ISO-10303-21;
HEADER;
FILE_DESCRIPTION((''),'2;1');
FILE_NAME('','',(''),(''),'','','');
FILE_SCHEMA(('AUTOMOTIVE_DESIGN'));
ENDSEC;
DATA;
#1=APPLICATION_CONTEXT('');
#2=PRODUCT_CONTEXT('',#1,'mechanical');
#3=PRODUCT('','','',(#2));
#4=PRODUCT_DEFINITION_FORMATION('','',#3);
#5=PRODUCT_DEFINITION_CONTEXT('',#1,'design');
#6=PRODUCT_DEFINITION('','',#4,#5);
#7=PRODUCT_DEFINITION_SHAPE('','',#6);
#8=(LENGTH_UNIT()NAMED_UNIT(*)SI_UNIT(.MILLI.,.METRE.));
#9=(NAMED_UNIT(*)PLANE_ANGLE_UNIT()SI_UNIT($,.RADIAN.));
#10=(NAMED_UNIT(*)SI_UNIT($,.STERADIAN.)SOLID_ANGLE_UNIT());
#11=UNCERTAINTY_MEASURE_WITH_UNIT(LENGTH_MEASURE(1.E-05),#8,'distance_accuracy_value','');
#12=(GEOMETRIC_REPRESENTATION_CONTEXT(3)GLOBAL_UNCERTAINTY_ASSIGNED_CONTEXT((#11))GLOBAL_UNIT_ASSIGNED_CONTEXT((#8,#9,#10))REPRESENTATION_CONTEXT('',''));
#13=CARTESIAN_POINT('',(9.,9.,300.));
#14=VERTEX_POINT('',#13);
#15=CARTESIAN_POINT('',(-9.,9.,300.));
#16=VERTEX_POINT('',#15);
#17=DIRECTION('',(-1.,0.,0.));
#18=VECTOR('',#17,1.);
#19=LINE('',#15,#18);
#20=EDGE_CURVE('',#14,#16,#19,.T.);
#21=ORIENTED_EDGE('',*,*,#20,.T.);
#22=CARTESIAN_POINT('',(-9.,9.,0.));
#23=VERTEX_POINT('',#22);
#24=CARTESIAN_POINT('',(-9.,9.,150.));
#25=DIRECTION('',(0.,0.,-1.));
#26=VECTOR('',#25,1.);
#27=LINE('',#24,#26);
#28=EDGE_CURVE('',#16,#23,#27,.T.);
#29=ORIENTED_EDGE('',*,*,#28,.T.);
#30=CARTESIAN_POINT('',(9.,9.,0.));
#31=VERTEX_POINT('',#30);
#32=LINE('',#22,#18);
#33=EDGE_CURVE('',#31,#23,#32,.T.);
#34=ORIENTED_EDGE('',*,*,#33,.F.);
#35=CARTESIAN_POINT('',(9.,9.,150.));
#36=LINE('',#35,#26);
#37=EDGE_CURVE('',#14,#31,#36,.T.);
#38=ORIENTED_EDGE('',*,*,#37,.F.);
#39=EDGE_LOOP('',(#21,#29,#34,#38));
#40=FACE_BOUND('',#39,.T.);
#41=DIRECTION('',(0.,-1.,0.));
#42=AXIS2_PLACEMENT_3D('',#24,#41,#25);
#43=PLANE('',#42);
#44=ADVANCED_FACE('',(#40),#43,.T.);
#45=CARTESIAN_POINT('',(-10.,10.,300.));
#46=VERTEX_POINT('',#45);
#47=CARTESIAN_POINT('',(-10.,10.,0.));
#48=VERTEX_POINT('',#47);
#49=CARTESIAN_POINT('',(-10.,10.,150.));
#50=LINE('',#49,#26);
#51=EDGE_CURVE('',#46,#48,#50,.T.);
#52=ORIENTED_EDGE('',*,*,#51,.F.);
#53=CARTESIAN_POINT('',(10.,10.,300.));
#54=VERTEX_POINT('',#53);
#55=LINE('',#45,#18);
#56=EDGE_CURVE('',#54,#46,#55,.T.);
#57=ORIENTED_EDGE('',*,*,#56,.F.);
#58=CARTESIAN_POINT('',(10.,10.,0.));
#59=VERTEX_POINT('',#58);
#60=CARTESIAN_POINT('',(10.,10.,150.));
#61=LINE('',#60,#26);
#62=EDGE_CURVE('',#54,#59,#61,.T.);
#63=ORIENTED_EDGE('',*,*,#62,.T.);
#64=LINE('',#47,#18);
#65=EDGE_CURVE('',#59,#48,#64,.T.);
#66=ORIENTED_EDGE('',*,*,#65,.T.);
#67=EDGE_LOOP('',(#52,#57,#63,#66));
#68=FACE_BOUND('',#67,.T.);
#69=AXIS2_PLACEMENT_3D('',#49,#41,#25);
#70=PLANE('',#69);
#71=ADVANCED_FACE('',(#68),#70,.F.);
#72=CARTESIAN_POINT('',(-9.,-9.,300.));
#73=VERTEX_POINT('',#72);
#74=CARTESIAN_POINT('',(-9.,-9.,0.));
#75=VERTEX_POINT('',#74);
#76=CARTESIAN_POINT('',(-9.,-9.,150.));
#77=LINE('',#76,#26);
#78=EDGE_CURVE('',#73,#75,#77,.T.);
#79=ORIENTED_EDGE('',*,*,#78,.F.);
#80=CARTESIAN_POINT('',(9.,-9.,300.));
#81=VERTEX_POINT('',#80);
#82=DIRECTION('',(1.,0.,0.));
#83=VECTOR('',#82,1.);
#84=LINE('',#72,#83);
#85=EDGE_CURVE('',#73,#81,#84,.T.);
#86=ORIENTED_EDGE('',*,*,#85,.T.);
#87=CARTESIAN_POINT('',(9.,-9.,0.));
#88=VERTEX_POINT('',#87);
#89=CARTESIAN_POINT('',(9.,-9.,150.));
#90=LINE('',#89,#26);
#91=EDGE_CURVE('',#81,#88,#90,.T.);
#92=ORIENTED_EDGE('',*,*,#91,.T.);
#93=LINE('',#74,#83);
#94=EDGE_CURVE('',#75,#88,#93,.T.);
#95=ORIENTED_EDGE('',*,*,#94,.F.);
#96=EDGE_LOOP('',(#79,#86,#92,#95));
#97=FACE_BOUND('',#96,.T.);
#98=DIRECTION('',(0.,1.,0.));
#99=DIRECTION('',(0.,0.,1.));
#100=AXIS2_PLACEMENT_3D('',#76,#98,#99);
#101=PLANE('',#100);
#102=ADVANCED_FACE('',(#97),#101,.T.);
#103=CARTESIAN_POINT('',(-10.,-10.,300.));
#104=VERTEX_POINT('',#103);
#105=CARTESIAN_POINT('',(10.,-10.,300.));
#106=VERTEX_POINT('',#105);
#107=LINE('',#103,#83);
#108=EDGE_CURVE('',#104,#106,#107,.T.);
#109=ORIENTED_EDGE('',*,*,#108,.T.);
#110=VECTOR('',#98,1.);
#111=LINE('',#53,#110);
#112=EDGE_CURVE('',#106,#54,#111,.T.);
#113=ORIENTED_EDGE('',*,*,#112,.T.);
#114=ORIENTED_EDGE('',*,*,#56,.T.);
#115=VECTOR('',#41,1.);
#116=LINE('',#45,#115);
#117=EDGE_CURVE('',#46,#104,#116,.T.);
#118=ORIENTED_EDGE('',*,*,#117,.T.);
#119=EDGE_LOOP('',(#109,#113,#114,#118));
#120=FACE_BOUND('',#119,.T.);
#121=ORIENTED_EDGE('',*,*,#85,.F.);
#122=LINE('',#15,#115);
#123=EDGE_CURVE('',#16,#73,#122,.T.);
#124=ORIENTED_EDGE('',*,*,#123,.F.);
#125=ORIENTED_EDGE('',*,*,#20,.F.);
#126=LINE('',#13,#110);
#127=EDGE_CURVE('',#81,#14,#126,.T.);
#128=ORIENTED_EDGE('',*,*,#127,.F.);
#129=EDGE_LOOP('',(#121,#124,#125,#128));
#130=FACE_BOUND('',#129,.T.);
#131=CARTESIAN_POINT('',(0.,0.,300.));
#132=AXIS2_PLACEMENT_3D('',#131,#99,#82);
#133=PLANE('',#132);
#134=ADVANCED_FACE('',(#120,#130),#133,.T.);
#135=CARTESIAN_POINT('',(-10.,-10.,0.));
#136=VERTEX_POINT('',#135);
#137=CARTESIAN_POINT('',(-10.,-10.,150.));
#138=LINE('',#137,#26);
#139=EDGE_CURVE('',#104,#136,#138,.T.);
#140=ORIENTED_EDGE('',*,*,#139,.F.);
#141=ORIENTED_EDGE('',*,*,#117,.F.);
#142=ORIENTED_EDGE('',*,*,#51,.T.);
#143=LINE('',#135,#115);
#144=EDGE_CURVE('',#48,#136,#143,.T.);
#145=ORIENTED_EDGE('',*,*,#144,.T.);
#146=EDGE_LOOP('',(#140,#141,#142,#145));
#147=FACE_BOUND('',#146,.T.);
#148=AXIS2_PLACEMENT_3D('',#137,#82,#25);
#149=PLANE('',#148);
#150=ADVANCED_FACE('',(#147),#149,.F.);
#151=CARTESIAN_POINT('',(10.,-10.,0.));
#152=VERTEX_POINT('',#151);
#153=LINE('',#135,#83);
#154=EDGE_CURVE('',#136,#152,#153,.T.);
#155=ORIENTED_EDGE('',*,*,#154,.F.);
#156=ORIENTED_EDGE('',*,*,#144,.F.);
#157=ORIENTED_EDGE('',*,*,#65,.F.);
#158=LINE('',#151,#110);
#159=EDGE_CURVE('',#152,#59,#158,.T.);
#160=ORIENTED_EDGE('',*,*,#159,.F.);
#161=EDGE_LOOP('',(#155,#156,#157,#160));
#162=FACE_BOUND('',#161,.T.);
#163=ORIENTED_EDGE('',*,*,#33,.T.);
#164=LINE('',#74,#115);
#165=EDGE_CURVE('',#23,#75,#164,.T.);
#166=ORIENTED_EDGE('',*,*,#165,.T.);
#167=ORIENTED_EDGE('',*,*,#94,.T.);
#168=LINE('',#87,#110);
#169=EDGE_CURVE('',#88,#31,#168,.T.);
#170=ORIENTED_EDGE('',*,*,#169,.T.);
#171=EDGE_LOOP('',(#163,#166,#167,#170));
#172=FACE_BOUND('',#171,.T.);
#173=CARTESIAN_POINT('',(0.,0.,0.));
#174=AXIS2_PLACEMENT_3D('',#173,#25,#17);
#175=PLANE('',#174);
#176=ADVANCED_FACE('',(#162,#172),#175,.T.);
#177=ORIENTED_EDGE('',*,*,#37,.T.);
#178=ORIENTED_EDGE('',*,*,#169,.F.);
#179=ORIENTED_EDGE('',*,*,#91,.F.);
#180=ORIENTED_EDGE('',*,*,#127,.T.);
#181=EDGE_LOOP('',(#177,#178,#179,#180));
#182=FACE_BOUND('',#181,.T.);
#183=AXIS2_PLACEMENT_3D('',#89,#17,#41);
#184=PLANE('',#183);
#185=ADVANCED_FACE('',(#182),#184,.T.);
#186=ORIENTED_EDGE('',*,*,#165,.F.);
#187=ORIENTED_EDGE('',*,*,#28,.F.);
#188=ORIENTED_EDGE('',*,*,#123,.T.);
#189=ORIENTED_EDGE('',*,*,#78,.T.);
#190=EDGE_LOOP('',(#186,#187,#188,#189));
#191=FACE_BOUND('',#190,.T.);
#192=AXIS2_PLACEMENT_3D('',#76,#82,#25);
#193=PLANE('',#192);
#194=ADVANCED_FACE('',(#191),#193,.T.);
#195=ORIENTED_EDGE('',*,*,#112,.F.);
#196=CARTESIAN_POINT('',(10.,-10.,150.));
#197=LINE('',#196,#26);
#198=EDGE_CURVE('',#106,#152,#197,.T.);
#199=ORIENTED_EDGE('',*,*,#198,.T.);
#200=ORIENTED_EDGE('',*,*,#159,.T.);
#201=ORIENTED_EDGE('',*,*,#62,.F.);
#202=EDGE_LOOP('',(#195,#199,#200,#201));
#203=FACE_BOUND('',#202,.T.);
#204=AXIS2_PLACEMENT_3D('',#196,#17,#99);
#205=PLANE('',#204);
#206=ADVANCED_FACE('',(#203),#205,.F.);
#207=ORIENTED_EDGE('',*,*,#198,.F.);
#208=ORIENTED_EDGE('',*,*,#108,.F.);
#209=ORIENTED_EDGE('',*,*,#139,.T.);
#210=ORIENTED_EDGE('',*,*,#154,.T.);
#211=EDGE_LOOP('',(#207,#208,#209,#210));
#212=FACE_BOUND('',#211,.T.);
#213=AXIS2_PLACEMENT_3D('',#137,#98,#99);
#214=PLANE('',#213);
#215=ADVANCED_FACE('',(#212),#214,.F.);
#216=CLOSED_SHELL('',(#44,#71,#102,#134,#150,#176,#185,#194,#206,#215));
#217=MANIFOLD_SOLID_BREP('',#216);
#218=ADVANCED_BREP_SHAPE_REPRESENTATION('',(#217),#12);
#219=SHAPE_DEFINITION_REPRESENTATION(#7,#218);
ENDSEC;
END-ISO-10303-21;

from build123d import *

# Parameters (mm, degrees)
SKETCH_1_W      = 20
SKETCH_1_H      = 20
SKETCH_1_W_2    = 18
SKETCH_1_H_2    = 18
EXTRUDE_1_DEPTH = 150
SKETCH_2_W      = 20
SKETCH_2_H      = 20
SKETCH_2_W_2    = 18
SKETCH_2_H_2    = 18
EXTRUDE_2_DEPTH = 150


with BuildPart() as part:
    # 草图1 → 凸台-拉伸1 (new body)
    with BuildSketch(Plane.XY):
        Rectangle(SKETCH_1_W, SKETCH_1_H)
        Rectangle(SKETCH_1_W_2, SKETCH_1_H_2, mode=Mode.SUBTRACT)
    extrude(amount=EXTRUDE_1_DEPTH)

    # 草图2 → 凸台-拉伸2 (add)
    with BuildSketch(Plane.XY.offset(150)):
        Rectangle(SKETCH_2_W, SKETCH_2_H)
        Rectangle(SKETCH_2_W_2, SKETCH_2_H_2, mode=Mode.SUBTRACT)
    extrude(amount=EXTRUDE_2_DEPTH)


solid = part.part
